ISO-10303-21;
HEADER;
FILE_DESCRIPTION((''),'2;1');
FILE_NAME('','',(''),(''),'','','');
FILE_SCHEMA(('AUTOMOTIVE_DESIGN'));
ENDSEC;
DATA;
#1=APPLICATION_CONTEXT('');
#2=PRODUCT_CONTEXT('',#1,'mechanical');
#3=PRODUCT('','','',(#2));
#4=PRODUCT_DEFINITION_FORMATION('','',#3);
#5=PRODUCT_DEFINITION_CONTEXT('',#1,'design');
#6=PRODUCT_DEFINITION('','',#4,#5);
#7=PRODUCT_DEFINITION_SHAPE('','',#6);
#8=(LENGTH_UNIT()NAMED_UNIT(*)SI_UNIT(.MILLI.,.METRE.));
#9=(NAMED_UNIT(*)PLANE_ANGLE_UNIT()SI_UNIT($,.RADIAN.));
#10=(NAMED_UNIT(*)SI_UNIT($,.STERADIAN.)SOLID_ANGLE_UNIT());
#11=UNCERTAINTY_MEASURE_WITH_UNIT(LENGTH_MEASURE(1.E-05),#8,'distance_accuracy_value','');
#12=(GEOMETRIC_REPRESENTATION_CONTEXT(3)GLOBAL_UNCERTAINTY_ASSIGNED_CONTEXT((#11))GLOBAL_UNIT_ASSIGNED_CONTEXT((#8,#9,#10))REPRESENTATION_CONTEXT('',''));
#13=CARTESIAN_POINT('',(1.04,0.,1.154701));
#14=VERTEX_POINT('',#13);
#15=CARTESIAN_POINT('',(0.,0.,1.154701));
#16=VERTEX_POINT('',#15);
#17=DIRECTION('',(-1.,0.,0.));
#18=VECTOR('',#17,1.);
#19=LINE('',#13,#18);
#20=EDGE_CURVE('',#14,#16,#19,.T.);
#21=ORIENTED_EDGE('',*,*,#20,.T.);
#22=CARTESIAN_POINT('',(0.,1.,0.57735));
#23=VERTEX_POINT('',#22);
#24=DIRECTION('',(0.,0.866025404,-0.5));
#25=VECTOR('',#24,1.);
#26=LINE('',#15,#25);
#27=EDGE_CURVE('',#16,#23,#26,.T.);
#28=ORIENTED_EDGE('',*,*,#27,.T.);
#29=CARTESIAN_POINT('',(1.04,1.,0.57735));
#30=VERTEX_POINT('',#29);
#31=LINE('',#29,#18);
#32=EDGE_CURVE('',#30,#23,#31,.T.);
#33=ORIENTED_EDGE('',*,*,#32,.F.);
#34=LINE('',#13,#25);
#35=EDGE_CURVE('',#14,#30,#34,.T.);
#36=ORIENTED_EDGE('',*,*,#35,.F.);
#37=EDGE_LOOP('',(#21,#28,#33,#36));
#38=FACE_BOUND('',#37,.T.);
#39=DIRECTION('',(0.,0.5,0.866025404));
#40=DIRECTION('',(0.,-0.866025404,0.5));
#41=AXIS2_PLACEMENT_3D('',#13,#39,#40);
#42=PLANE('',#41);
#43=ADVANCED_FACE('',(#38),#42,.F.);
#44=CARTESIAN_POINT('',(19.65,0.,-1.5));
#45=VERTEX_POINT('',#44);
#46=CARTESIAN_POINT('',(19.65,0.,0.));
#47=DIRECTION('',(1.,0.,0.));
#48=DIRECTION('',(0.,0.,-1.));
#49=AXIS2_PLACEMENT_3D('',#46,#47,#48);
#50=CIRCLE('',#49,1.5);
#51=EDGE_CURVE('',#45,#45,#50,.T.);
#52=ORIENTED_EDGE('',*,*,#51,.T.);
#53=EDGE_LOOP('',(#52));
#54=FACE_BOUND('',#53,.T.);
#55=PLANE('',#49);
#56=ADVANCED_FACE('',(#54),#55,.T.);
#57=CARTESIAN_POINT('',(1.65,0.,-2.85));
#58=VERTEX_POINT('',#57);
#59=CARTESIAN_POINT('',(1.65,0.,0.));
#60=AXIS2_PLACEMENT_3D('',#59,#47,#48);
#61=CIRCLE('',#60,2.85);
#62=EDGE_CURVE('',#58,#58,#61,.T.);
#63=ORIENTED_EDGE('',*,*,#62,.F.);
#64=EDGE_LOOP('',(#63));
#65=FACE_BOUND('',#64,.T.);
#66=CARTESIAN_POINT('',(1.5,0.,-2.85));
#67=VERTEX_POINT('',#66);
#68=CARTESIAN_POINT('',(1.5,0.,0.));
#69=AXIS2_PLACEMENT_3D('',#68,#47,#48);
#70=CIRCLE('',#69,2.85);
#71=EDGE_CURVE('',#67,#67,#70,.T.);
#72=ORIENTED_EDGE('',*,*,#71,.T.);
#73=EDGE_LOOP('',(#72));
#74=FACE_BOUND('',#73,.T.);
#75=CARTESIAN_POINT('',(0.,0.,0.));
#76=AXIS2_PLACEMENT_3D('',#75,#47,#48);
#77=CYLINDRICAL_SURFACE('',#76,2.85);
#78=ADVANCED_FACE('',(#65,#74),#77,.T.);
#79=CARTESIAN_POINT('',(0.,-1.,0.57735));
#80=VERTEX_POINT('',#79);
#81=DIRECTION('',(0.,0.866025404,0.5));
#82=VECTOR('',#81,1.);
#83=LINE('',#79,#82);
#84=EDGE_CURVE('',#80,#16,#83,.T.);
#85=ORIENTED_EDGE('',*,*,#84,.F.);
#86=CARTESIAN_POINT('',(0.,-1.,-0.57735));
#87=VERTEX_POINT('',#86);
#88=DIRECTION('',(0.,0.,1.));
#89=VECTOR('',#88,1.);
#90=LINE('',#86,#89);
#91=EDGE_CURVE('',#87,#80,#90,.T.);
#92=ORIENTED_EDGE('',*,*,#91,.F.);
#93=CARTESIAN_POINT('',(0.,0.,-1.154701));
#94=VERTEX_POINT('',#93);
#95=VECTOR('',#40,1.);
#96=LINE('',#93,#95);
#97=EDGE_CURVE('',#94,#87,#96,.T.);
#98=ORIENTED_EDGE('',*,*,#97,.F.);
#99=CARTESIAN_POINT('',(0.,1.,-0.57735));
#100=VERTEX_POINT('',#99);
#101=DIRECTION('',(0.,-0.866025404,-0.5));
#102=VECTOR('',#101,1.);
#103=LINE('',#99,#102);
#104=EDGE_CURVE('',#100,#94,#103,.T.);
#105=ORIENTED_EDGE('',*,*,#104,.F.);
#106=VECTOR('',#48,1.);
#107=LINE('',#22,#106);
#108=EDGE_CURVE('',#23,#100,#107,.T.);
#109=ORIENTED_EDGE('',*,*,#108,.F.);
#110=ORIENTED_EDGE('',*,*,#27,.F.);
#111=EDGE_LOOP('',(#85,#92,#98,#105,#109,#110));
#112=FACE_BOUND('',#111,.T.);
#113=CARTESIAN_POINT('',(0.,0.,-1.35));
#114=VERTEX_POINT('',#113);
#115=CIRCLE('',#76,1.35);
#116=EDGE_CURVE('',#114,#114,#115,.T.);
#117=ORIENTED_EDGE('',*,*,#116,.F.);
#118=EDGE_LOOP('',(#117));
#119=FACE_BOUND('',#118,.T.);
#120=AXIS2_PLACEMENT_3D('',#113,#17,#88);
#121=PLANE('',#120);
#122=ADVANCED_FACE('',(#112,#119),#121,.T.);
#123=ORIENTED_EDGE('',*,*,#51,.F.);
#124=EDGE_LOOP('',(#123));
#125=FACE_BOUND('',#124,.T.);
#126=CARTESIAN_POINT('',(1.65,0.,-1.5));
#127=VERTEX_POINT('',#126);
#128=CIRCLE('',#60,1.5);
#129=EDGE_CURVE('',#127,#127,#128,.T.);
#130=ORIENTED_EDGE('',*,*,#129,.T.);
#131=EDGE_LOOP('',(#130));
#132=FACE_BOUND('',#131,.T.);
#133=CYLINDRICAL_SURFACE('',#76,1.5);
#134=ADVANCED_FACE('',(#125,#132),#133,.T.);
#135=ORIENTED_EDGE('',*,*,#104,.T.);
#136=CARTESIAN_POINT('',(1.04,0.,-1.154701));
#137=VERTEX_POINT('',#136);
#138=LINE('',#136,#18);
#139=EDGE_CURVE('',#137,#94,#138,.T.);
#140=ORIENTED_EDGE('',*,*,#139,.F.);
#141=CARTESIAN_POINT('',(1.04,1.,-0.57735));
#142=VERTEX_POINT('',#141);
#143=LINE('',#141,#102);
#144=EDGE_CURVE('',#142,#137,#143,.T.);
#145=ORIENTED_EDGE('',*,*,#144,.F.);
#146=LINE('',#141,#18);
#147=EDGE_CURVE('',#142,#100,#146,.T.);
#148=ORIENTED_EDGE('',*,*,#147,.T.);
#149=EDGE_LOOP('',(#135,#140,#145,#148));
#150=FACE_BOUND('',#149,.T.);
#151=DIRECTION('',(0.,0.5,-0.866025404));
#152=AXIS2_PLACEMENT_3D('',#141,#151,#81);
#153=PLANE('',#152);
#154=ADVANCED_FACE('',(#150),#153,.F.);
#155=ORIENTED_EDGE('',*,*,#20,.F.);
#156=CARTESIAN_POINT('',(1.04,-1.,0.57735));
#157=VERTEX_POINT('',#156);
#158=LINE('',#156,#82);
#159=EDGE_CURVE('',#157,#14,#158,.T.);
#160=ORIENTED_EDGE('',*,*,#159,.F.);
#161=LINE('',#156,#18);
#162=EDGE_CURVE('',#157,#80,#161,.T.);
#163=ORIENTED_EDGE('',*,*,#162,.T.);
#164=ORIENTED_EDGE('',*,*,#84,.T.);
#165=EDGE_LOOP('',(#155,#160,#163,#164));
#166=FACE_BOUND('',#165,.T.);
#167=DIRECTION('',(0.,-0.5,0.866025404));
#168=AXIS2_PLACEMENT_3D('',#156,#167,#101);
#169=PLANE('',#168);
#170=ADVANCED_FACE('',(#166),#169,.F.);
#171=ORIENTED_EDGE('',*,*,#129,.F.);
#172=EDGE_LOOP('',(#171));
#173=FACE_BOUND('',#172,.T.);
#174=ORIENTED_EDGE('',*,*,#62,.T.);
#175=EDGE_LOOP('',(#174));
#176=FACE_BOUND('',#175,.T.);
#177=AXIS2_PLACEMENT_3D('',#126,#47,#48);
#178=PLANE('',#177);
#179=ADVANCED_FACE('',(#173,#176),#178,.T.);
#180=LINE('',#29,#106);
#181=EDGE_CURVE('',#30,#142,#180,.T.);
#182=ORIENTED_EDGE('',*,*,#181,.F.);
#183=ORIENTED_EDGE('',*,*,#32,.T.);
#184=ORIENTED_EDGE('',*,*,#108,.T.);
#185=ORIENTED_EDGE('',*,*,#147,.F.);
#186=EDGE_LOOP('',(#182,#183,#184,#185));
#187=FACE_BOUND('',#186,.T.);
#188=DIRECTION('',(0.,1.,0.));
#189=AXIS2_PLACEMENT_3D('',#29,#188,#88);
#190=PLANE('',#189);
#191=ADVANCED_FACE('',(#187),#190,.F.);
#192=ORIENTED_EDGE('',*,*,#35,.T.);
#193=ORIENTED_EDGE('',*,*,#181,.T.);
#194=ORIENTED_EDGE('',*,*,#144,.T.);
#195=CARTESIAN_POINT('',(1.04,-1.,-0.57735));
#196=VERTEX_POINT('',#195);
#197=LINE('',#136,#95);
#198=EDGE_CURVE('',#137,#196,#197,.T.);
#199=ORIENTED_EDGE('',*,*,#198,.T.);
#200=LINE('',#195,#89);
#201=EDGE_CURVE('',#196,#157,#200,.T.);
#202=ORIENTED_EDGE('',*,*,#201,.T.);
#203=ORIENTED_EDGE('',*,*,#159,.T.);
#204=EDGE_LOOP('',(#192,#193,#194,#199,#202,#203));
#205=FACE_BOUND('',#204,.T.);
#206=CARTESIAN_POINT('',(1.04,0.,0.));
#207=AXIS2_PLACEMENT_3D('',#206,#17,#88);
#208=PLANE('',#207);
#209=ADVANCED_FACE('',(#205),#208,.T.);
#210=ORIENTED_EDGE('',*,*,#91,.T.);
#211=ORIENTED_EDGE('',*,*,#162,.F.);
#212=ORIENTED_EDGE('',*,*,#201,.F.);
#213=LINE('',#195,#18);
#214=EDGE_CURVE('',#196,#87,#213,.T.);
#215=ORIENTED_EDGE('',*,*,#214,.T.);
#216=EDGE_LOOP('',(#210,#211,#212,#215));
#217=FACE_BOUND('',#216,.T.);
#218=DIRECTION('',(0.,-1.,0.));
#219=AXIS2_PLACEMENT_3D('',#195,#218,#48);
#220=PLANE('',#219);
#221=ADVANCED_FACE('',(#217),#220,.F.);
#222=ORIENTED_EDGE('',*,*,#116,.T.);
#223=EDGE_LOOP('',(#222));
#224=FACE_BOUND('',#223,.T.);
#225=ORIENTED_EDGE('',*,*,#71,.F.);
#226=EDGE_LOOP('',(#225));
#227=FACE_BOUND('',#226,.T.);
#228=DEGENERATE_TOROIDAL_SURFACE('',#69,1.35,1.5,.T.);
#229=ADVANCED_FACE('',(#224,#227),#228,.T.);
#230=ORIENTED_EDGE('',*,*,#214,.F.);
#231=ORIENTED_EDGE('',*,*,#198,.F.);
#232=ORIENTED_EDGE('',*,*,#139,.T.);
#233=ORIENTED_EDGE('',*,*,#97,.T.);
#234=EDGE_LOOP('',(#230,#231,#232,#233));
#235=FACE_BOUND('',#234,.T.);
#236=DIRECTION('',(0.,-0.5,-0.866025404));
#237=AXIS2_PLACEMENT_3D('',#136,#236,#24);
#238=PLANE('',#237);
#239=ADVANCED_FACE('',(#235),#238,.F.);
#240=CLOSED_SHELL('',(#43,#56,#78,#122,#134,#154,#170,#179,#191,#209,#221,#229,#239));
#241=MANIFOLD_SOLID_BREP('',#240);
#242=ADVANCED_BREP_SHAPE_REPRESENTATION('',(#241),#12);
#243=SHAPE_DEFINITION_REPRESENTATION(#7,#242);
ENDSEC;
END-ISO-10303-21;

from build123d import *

# Parameters (mm, degrees)
CUT_EXTRUDE1_DEPTH = 1.04


with BuildPart() as part:
    # Sketch1 → Revolve1 (revolve)
    with BuildSketch(Plane(origin=(0, 0, 0), x_dir=(1, 0, 0), z_dir=(0, 1, 0))):
        with BuildLine():
            Line((0, 0), (19.65, 0))
            Line((19.65, 0), (19.65, 1.5))
            Line((19.65, 1.5), (1.65, 1.5))
            Line((1.65, 1.5), (1.65, 2.85))
            Line((1.65, 2.85), (1.5, 2.85))
            ThreePointArc((1.5, 2.85), (0.439339828, 2.410660172), (0, 1.35))
            Line((0, 1.35), (0, 0))
        make_face()
    revolve(axis=Axis((0, 0, 0), (-1, 0, 0)))

    # Sketch2 → Cut-Extrude1 (cut)
    with BuildSketch(Plane.ZY):
        Polygon((1.154700538, 0), (0.577350269, 1), (-0.577350269, 1), (-1.154700538, 0), (-0.577350269, -1), (0.577350269, -1), align=None)
    extrude(amount=-CUT_EXTRUDE1_DEPTH, mode=Mode.SUBTRACT)


solid = part.part
